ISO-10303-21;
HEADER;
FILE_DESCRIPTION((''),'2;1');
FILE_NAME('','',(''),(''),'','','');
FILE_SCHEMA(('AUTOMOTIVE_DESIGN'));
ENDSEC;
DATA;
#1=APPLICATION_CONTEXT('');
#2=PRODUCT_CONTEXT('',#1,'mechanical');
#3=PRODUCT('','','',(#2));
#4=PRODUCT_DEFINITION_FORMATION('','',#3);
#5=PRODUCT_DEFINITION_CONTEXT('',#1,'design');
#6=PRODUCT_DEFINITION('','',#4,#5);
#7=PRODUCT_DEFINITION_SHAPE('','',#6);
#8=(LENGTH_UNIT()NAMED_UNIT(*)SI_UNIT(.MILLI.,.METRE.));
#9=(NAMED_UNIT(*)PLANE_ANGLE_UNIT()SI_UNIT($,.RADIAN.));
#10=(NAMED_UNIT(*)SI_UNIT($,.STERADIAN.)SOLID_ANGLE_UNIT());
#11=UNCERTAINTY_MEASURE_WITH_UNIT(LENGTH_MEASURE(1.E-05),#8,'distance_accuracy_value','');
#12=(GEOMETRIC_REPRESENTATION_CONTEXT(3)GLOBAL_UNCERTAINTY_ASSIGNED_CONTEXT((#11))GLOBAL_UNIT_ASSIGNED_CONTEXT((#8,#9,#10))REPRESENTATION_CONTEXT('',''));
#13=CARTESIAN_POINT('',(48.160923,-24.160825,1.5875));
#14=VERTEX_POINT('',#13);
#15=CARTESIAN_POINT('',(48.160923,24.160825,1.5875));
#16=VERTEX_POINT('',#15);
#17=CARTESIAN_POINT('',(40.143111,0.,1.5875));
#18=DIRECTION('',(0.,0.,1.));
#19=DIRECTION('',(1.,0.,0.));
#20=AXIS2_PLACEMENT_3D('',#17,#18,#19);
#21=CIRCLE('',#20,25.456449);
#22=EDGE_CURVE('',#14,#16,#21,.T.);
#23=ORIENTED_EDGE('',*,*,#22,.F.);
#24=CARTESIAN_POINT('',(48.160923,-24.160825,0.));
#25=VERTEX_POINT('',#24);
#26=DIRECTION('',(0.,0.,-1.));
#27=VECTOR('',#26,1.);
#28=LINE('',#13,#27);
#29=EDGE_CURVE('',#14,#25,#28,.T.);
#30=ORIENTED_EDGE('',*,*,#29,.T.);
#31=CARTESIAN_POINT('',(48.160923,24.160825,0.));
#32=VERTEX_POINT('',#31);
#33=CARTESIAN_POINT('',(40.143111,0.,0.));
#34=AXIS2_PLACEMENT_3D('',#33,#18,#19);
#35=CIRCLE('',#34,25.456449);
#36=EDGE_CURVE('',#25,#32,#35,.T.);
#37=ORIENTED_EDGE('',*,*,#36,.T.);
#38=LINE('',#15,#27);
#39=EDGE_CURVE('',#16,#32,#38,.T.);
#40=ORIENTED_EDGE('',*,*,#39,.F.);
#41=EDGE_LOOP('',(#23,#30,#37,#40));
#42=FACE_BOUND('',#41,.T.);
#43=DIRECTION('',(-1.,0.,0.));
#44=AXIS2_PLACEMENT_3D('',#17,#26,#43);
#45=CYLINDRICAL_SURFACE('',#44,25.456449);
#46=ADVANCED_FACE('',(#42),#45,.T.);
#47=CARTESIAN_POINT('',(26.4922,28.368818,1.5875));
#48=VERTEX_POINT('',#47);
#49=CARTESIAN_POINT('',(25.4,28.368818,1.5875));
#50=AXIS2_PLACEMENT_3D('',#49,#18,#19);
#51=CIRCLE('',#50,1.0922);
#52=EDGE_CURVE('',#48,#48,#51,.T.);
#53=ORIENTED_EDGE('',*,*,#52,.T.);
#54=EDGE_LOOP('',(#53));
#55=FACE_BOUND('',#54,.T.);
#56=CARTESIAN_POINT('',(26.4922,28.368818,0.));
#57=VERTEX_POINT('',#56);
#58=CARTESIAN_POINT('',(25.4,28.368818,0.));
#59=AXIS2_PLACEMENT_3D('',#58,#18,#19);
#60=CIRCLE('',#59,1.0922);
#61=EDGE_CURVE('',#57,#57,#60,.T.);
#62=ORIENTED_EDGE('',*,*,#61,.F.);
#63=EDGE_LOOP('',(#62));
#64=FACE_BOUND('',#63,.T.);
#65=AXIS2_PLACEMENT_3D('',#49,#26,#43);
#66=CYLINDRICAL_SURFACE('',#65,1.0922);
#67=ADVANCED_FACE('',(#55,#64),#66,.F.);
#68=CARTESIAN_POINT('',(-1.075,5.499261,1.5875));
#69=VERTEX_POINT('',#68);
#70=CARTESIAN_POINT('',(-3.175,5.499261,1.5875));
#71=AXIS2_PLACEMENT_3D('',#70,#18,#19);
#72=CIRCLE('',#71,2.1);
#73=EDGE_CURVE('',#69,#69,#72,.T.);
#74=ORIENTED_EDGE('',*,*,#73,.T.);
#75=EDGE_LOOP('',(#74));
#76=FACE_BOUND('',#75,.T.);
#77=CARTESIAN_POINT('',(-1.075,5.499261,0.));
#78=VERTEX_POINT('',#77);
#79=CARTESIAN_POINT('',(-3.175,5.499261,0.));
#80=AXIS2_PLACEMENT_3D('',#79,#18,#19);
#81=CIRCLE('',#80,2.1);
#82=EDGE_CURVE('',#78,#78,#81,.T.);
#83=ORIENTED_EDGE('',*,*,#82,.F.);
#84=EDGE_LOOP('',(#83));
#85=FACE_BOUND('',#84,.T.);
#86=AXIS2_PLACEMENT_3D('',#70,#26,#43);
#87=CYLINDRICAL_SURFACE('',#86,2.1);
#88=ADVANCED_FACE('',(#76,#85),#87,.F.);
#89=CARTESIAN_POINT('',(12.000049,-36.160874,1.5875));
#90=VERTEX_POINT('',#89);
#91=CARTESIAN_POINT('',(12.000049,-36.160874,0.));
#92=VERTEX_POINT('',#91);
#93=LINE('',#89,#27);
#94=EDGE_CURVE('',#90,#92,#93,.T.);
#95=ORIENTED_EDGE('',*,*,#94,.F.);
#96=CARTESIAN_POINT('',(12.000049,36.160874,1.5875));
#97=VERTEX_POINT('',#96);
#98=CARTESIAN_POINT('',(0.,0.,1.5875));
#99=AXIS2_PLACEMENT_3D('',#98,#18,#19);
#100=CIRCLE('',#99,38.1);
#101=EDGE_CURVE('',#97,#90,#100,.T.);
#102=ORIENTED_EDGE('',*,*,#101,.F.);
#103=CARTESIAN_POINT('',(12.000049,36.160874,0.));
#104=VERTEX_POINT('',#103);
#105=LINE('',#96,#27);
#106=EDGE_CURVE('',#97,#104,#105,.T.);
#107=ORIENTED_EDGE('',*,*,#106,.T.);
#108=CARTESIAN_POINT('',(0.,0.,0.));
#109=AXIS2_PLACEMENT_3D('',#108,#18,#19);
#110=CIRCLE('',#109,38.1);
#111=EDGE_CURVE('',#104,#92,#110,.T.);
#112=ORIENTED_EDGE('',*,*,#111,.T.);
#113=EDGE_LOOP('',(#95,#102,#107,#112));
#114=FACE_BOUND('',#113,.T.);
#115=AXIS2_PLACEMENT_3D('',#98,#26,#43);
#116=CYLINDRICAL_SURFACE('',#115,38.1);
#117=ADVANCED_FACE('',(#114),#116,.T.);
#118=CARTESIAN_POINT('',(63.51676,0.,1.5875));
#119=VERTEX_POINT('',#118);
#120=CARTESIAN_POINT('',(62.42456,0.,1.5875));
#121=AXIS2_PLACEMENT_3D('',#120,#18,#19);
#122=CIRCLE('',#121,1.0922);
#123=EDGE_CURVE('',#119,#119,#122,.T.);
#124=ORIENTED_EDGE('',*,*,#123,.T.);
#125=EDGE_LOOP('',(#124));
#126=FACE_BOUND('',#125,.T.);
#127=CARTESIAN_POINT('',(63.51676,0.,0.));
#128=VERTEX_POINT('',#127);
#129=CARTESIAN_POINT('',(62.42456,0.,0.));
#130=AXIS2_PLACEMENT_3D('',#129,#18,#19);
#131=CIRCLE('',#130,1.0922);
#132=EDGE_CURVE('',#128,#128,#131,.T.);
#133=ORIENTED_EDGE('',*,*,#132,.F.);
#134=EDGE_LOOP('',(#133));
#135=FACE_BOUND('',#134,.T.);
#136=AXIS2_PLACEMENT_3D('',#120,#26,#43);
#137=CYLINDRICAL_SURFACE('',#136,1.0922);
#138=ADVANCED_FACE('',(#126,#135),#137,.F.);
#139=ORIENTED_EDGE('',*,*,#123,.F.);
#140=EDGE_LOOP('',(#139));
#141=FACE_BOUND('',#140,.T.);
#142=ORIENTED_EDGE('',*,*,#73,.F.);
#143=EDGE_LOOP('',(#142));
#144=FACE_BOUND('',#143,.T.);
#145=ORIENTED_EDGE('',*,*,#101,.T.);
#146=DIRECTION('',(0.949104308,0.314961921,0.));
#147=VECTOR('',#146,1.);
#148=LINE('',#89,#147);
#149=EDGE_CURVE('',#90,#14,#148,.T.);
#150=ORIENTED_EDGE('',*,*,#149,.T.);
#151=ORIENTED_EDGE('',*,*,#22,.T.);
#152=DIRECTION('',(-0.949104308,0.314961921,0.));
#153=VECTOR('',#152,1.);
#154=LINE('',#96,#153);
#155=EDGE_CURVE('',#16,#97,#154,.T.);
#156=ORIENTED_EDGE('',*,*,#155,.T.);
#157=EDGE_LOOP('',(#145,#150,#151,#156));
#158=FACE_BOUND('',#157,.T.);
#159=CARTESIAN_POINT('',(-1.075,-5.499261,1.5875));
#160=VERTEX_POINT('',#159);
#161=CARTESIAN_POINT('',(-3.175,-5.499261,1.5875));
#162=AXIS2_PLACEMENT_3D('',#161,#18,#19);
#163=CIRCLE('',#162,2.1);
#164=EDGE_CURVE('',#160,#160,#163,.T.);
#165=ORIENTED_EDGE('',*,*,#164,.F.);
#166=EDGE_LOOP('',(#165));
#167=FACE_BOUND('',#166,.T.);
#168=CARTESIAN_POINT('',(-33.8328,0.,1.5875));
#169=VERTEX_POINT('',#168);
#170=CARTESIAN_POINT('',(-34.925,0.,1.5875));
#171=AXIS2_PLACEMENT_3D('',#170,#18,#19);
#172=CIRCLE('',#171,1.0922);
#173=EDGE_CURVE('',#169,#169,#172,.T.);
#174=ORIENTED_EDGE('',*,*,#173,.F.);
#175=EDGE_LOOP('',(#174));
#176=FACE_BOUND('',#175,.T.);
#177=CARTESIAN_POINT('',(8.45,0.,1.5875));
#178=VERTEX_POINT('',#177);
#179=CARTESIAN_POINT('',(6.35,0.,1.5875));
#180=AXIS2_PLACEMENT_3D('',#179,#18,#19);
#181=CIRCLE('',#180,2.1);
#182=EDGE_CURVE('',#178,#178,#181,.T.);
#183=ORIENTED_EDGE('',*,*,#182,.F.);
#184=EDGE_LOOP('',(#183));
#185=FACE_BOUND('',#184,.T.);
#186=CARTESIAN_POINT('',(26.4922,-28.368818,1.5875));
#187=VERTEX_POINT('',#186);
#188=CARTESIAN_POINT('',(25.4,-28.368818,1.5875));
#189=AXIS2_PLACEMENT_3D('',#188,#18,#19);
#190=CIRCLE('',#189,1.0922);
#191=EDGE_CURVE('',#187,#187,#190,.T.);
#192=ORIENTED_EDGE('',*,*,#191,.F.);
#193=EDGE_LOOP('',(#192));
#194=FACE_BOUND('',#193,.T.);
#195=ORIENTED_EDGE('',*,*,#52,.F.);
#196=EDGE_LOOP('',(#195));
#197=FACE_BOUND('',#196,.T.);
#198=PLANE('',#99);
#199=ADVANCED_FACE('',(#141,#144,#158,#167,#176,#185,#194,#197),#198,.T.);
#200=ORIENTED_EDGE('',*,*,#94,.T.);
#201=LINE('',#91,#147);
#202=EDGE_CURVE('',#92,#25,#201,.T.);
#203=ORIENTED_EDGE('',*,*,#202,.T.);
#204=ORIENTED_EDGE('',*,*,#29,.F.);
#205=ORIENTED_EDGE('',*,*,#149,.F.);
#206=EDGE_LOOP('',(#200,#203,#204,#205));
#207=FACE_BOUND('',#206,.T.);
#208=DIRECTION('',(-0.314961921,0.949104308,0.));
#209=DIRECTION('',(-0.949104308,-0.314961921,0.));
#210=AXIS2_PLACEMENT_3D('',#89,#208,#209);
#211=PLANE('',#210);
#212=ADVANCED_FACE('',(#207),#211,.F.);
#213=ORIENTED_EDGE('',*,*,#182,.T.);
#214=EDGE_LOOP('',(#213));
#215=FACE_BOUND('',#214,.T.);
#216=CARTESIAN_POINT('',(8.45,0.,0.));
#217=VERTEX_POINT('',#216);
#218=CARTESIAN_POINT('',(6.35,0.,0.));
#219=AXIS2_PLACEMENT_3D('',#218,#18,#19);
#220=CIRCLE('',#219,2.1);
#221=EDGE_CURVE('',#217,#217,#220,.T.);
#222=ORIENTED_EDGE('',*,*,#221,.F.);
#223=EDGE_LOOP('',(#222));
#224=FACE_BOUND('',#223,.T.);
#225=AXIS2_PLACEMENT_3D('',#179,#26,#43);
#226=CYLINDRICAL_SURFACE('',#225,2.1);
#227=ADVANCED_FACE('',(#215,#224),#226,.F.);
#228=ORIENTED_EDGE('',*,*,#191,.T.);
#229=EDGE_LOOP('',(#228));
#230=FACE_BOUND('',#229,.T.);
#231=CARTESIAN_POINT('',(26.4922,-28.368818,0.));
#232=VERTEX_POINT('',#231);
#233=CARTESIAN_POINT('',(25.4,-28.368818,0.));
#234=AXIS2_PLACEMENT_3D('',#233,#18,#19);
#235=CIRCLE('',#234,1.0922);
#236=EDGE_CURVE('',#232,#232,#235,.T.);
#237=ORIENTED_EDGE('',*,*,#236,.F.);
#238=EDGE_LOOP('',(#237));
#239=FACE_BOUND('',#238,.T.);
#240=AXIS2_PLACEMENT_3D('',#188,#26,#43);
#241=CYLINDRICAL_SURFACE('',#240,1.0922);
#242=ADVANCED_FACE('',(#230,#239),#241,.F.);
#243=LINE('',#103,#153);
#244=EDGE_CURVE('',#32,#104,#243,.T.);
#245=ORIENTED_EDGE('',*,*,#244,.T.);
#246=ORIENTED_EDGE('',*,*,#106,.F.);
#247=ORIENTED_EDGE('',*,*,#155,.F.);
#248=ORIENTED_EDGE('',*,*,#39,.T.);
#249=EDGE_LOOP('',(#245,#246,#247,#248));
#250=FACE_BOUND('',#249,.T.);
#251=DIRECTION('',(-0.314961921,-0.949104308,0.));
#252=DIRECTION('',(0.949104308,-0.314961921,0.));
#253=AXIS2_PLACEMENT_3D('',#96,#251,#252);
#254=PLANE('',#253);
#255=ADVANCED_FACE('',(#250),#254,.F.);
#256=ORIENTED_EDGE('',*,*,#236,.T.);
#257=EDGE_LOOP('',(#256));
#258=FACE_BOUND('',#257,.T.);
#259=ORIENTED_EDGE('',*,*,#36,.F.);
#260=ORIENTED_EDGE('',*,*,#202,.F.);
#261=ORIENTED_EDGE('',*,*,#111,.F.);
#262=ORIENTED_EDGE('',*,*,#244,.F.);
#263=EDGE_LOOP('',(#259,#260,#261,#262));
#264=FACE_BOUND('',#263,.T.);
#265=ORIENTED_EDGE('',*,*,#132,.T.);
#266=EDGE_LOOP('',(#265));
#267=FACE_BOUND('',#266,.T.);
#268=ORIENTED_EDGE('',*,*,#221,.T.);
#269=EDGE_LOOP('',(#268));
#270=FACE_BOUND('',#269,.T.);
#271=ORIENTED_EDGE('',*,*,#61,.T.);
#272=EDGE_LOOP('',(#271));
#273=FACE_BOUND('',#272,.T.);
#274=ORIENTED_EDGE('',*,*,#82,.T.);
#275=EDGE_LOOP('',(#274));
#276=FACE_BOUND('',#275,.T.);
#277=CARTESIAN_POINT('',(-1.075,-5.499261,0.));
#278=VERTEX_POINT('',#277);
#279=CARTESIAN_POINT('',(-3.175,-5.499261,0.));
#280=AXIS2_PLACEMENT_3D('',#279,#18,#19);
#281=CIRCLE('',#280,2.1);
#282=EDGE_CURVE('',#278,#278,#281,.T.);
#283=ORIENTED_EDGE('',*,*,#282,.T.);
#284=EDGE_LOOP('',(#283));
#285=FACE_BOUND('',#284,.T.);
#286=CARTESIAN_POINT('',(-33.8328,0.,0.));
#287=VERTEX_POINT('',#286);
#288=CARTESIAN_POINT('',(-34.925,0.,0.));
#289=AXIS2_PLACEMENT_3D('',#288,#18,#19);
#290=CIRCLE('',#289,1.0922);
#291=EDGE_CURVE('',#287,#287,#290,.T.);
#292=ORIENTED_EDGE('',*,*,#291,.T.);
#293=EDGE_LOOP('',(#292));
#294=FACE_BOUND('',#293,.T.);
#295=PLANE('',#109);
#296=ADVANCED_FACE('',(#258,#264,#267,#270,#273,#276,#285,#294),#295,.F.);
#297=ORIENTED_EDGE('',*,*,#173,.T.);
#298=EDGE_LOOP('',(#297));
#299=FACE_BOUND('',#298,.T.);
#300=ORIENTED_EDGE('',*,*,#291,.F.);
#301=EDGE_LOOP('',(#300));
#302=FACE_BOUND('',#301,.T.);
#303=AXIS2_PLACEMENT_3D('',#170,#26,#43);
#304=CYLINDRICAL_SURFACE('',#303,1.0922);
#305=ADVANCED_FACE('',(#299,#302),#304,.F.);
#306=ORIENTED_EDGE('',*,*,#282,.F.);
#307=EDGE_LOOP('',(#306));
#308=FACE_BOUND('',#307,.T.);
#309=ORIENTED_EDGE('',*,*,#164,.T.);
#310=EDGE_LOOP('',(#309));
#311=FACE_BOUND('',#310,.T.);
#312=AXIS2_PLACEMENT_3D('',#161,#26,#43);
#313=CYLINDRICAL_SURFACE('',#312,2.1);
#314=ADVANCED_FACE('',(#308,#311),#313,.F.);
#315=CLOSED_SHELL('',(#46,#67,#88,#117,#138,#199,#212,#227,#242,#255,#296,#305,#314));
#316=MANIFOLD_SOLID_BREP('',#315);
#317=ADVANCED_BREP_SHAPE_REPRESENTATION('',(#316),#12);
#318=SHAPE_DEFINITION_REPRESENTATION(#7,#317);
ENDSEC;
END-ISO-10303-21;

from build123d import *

# Parameters (mm, degrees)
SKETCH1_R           = 1.0922
SKETCH1_R_2         = 2.1
BOSS_EXTRUDE1_DEPTH = 1.5875


with BuildPart() as part:
    # Sketch1 → Boss-Extrude1 (new body)
    with BuildSketch(Plane.XY):
        with BuildLine():
            Line((12.000049197, 36.16087415), (48.160923347, 24.160824953))
            ThreePointArc((48.160923347, 24.160824953), (65.599559924, 0), (48.160923347, -24.160824953))
            Line((48.160923347, -24.160824953), (12.000049197, -36.16087415))
            ThreePointArc((12.000049197, -36.16087415), (-38.1, 0), (12.000049197, 36.16087415))
        make_face()
        with Locations((62.424559924, 0)):
            Circle(SKETCH1_R, mode=Mode.SUBTRACT)
        with Locations((25.4, 28.368817804)):
            Circle(SKETCH1_R, mode=Mode.SUBTRACT)
        with Locations((25.4, -28.368817804)):
            Circle(SKETCH1_R, mode=Mode.SUBTRACT)
        with Locations((-34.925, 0)):
            Circle(SKETCH1_R, mode=Mode.SUBTRACT)
        with Locations((6.35, 0)):
            Circle(SKETCH1_R_2, mode=Mode.SUBTRACT)
        with Locations((-3.175, -5.499261314)):
            Circle(SKETCH1_R_2, mode=Mode.SUBTRACT)
        with Locations((-3.175, 5.499261314)):
            Circle(SKETCH1_R_2, mode=Mode.SUBTRACT)
    extrude(amount=BOSS_EXTRUDE1_DEPTH)


solid = part.part
